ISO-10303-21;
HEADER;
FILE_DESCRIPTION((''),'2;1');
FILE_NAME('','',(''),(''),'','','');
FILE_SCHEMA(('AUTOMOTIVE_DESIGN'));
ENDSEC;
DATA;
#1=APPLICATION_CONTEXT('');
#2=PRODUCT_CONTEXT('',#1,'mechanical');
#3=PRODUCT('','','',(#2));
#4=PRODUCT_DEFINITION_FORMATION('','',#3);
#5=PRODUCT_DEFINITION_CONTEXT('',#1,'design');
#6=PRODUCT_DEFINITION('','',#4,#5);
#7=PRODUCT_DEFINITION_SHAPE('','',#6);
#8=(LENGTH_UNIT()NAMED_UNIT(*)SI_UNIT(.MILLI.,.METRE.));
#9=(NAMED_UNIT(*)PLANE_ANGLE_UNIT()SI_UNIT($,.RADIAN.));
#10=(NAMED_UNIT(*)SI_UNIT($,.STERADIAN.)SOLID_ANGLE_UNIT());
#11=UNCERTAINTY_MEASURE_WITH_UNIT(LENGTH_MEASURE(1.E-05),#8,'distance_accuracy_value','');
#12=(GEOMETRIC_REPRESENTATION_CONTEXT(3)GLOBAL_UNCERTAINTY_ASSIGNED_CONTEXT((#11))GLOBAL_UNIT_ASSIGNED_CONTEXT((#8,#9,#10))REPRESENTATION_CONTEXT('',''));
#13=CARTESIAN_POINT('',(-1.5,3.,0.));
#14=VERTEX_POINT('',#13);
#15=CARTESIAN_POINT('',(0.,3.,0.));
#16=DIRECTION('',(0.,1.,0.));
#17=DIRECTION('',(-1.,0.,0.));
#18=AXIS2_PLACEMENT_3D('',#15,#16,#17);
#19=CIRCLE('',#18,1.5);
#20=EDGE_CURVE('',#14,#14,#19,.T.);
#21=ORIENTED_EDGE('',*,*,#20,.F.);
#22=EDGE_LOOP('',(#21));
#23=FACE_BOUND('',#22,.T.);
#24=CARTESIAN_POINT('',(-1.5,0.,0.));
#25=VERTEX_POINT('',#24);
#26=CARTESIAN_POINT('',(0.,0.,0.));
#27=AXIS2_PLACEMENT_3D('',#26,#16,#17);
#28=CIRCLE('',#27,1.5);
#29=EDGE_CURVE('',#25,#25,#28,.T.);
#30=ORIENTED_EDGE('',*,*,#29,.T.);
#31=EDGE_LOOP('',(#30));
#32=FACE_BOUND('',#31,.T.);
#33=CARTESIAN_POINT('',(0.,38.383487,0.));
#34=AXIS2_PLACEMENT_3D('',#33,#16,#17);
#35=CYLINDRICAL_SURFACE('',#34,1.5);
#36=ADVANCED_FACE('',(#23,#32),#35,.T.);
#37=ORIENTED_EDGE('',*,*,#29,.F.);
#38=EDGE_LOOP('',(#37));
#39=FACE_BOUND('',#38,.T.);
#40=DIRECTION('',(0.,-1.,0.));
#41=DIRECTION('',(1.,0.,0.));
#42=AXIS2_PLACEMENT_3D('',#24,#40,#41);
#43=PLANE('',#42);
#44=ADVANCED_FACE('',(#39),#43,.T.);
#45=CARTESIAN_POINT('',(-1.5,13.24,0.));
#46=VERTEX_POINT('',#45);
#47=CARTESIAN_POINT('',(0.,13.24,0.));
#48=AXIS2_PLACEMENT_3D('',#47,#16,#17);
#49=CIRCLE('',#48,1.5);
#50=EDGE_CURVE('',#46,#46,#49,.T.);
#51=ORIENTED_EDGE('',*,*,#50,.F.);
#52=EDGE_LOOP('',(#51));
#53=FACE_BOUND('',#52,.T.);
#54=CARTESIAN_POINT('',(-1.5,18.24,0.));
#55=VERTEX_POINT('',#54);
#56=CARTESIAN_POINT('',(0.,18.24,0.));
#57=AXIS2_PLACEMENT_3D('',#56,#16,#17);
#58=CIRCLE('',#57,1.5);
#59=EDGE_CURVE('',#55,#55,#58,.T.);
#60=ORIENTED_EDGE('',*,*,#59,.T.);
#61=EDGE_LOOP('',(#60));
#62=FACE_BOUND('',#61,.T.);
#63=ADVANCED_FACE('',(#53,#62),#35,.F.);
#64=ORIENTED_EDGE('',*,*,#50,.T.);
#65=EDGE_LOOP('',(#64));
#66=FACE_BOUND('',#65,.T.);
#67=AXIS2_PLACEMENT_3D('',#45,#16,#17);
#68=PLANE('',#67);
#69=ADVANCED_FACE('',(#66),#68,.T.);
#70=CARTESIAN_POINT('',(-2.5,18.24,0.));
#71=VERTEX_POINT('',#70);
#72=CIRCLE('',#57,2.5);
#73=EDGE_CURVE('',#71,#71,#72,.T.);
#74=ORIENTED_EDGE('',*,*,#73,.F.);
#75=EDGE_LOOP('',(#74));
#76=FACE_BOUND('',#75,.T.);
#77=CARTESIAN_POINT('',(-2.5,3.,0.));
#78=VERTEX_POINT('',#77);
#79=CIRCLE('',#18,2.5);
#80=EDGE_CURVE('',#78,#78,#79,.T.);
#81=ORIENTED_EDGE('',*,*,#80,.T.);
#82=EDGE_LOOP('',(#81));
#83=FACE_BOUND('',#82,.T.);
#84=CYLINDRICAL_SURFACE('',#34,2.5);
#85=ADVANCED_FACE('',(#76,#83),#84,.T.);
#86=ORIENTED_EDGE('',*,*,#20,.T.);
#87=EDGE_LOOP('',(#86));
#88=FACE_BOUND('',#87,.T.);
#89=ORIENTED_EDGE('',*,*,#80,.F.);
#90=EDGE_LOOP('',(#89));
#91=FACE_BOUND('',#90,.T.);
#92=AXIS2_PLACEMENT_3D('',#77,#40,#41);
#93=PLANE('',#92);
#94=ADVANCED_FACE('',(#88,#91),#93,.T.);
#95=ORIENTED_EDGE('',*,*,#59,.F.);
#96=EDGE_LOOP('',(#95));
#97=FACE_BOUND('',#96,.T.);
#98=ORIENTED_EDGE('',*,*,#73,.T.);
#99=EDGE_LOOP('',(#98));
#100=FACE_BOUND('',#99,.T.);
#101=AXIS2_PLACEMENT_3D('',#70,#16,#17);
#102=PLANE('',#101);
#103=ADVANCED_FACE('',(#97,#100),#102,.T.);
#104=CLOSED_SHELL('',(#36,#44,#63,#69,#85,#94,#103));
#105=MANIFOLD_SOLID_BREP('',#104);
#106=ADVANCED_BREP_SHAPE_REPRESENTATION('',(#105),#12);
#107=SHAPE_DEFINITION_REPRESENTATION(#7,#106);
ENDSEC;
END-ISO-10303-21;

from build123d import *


with BuildPart() as part:
    # Sketch1 → Revolve1 (revolve)
    with BuildSketch(Plane.XY):
        Polygon((-2.5, 18.24), (-2.5, 3), (-1.5, 3), (-1.5, 0), (0, 0), (0, 13.24), (-1.5, 13.24), (-1.5, 18.24), align=None)
    revolve(axis=Axis((0, 38.383486715, 0), (0, -1, 0)))


solid = part.part
